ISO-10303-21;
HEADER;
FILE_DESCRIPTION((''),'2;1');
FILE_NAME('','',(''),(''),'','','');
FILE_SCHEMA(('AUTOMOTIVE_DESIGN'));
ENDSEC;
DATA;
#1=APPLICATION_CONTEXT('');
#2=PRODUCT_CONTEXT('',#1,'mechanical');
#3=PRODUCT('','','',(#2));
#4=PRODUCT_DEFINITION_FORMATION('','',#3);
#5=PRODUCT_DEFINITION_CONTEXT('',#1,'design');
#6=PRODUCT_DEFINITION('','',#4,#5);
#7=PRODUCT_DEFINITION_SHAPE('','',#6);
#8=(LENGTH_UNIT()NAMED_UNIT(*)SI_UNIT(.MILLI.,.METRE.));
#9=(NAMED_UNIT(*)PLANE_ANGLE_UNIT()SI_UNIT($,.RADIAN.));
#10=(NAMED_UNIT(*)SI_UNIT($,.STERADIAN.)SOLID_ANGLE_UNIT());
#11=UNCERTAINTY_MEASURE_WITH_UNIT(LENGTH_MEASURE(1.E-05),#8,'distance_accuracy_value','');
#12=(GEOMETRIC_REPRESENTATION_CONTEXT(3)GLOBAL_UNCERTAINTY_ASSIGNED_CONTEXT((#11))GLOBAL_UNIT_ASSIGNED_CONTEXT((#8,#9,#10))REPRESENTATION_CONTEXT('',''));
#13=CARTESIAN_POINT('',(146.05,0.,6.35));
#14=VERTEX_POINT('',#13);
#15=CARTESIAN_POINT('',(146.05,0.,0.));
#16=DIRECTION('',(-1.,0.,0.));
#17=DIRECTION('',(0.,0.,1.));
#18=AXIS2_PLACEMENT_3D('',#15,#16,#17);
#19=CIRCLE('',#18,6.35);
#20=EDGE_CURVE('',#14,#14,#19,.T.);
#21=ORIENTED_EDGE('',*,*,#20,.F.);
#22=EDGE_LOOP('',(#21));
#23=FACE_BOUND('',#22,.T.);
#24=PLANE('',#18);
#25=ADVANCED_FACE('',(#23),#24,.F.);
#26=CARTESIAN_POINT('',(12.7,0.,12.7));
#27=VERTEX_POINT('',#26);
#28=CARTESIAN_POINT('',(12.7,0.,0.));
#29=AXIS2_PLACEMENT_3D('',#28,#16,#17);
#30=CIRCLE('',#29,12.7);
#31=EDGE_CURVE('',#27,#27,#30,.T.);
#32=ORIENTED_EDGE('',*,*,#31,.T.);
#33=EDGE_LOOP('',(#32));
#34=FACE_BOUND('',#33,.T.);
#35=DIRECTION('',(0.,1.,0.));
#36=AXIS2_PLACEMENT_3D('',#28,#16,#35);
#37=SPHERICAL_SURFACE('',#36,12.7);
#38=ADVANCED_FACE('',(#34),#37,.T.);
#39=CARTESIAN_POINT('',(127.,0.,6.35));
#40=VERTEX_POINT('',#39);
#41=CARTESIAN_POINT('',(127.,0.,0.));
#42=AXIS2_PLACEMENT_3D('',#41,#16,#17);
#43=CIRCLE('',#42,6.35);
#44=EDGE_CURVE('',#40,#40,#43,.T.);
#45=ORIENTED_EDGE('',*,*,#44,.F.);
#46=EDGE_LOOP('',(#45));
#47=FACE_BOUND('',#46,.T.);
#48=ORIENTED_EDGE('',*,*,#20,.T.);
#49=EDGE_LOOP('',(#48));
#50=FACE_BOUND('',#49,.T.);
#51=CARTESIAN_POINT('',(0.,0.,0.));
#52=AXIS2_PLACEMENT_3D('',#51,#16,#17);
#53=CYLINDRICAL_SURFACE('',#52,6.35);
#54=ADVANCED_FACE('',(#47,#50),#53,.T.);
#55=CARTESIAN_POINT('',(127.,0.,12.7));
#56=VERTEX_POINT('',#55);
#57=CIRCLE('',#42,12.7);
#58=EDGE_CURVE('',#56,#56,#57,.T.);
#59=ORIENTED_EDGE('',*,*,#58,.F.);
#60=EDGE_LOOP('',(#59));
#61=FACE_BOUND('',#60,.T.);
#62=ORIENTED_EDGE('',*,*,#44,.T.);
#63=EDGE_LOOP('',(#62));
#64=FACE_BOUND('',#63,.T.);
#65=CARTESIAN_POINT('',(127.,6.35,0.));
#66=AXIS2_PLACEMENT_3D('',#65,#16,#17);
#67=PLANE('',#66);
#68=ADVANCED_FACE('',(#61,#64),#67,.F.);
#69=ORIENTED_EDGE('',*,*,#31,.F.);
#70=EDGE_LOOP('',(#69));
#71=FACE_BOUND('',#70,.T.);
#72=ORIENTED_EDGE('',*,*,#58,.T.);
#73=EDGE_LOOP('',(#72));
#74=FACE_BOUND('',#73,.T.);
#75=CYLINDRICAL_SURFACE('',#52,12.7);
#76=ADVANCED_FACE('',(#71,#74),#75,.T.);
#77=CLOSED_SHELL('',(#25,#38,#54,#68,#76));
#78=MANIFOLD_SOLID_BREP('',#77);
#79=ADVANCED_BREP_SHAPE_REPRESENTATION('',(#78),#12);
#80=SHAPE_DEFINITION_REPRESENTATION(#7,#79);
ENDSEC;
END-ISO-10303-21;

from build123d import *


with BuildPart() as part:
    # Sketch2 → Revolve1 (revolve)
    with BuildSketch(Plane.XY):
        with BuildLine():
            Line((0, 0), (146.05, 0))
            Line((146.05, 0), (146.05, 6.35))
            Line((146.05, 6.35), (127, 6.35))
            Line((127, 6.35), (127, 12.7))
            Line((127, 12.7), (12.7, 12.7))
            ThreePointArc((12.7, 12.7), (3.719743879, 8.980256121), (0, 0))
        make_face()
    revolve(axis=Axis((0, 0, 0), (1, 0, 0)))


solid = part.part
